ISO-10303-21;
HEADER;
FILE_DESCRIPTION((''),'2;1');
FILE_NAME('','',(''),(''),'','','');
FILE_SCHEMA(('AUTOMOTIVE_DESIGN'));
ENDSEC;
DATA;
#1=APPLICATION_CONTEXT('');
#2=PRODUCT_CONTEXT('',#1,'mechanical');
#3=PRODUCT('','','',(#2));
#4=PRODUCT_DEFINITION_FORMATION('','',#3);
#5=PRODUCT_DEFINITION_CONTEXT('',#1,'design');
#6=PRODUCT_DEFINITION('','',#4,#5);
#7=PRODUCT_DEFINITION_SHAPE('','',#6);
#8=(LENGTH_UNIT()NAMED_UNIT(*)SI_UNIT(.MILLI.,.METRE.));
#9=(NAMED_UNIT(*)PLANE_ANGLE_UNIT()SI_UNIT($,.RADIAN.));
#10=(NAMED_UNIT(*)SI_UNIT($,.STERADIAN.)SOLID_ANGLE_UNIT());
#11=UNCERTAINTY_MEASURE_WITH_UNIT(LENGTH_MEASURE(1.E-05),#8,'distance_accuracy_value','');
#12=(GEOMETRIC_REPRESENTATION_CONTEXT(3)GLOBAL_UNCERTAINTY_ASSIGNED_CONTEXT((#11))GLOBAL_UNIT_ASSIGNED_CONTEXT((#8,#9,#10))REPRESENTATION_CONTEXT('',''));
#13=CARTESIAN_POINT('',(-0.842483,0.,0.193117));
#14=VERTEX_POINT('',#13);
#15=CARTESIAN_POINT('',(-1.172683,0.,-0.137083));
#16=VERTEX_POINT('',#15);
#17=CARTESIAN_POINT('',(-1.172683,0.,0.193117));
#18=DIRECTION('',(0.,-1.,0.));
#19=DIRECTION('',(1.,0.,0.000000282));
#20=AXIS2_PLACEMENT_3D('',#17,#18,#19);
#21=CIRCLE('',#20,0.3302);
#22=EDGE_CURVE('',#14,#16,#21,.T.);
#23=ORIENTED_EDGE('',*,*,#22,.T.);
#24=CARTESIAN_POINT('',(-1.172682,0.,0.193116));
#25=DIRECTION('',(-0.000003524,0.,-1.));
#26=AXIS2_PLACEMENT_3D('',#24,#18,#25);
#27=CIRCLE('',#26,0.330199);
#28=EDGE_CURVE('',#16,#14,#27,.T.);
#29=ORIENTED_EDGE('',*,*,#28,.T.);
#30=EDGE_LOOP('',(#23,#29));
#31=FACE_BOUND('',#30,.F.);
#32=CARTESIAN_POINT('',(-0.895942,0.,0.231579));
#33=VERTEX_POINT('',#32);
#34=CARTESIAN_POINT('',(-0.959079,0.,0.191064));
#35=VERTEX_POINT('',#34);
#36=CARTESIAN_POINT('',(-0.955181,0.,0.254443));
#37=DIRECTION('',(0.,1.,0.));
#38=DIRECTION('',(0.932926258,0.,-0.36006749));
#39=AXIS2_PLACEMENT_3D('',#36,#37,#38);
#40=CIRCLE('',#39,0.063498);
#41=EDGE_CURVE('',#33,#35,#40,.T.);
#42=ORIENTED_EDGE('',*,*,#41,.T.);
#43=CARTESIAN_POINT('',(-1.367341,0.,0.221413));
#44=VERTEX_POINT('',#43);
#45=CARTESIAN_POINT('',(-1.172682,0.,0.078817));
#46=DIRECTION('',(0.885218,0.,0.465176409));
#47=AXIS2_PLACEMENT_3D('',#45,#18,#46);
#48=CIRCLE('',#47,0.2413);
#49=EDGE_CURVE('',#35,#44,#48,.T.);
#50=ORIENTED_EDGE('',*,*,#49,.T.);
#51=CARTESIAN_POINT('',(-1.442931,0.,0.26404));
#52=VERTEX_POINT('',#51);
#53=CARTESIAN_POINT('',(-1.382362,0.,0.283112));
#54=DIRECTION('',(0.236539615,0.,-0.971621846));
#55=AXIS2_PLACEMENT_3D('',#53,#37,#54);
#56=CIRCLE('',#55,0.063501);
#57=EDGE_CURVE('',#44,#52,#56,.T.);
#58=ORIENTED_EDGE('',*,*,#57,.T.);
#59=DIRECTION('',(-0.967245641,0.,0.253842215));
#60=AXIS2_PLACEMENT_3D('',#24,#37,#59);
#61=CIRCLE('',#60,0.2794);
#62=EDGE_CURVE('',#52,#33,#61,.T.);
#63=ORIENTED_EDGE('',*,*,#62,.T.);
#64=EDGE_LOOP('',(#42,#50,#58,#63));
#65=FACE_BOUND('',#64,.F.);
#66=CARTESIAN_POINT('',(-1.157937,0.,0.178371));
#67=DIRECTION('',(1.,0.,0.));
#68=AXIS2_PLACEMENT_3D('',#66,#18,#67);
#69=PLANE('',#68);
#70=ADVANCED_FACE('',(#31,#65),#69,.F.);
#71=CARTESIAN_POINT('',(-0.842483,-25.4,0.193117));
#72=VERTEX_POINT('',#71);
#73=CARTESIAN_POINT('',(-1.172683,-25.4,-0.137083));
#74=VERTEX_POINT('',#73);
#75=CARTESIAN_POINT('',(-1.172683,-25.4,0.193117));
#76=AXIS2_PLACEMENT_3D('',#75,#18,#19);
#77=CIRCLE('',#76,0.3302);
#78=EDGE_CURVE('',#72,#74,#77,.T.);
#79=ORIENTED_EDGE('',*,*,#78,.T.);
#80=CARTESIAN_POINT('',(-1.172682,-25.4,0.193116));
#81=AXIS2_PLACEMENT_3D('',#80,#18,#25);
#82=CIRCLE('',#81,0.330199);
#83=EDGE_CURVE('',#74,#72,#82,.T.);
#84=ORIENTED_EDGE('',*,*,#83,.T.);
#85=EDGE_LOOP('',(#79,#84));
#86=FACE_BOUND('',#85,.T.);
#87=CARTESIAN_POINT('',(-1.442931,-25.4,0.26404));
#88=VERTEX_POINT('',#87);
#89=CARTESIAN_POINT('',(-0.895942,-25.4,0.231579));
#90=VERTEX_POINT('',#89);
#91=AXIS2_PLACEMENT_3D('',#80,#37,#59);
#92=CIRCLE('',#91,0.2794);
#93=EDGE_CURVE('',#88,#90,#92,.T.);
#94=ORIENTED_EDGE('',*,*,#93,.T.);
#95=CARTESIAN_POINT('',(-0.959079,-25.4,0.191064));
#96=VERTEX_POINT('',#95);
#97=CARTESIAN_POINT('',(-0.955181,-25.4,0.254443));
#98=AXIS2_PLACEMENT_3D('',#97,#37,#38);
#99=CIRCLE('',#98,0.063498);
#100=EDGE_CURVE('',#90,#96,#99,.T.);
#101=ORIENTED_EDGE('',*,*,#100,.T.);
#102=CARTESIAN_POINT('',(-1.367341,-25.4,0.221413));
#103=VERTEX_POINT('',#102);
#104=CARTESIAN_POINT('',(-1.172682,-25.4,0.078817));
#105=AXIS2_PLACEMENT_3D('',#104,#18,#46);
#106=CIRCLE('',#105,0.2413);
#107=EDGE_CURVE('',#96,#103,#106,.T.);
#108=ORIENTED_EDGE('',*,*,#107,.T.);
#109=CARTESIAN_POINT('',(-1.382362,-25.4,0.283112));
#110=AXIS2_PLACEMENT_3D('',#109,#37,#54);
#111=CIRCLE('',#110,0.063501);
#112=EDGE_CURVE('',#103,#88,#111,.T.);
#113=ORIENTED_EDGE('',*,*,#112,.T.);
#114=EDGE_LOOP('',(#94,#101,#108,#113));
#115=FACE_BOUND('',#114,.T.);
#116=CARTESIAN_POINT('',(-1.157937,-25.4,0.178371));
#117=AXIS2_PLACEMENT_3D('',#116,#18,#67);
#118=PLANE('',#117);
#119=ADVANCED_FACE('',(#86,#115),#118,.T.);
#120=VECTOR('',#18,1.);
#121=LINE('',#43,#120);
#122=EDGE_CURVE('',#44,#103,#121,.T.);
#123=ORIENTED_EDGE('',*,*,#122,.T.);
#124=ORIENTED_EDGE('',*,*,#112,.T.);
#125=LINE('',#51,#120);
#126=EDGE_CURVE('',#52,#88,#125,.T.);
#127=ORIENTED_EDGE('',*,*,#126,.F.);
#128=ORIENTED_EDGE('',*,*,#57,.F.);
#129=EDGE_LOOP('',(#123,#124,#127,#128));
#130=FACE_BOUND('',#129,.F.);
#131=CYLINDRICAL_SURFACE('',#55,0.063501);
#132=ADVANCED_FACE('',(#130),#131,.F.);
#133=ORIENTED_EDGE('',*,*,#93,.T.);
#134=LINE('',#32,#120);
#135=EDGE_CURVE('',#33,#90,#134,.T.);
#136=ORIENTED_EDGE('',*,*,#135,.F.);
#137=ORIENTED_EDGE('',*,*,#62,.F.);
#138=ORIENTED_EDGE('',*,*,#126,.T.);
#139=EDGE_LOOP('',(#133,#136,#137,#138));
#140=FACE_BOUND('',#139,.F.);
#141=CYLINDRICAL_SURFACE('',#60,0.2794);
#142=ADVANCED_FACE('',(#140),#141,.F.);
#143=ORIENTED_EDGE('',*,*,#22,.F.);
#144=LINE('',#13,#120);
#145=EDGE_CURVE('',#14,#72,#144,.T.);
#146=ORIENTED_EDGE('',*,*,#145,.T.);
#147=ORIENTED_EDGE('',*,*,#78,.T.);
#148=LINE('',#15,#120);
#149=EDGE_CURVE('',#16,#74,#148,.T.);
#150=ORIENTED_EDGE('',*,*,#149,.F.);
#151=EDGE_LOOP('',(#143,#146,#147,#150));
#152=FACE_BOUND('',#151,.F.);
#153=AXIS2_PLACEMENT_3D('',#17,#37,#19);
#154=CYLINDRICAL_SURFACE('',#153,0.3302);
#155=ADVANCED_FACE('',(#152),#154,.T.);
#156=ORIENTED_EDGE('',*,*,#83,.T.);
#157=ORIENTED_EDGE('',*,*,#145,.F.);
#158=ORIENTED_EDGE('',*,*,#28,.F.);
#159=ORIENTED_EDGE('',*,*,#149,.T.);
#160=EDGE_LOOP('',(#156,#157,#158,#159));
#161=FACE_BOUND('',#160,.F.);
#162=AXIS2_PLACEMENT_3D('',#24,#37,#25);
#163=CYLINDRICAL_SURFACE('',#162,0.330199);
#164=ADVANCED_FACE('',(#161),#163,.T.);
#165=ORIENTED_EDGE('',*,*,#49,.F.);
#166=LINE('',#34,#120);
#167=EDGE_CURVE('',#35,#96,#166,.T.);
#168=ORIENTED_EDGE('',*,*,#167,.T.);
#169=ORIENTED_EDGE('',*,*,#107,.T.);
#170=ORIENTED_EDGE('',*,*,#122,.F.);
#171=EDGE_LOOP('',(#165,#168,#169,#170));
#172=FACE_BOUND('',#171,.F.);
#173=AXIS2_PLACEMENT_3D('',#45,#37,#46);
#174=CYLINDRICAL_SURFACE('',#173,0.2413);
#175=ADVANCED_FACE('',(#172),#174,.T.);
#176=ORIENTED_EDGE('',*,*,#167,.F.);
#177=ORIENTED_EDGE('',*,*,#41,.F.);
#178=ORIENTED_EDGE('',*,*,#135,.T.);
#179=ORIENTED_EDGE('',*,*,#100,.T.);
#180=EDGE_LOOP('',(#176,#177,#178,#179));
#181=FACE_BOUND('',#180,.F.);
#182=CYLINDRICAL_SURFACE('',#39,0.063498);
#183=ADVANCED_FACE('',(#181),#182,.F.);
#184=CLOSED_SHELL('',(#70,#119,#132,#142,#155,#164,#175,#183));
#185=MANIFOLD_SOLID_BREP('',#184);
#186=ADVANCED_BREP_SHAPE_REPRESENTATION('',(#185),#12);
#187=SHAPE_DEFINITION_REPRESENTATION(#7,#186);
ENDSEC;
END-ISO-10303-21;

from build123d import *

# Parameters (mm, degrees)
F1_DEPTH = 25.4


with BuildPart() as f1:
    # F0 (on Front) → F1 (new body)
    with BuildSketch(Plane.XZ):
        with BuildLine():
            ThreePointArc((-1.172683, -0.137083), (-0.939196, -0.04037), (-0.842483, 0.193117))
            ThreePointArc((-0.842483, 0.193117), (-1.406169, 0.426604), (-1.172683, -0.137083))
        make_face()
        with BuildLine():
            ThreePointArc((-0.956783, 0.078817), (-1.020018, -0.073847), (-1.172683, -0.137083))
            ThreePointArc((-1.172683, -0.137083), (-1.325347, 0.231481), (-0.956783, 0.078817))
        make_face(mode=Mode.SUBTRACT)
        with BuildLine():
            ThreePointArc((-0.895942, 0.231579), (-0.920888, 0.201001), (-0.959079, 0.191064))
            ThreePointArc((-0.959079, 0.191064), (-1.154794, 0.319453), (-1.367341, 0.221413))
            ThreePointArc((-1.367341, 0.221413), (-1.413554, 0.2278), (-1.442931, 0.26404))
            ThreePointArc((-1.442931, 0.26404), (-1.15613, 0.472026), (-0.895942, 0.231579))
        make_face(mode=Mode.SUBTRACT)
        with BuildLine():
            ThreePointArc((-0.956783, 0.078817), (-1.325347, 0.231481), (-1.172683, -0.137083))
            ThreePointArc((-1.172683, -0.137083), (-1.020018, -0.073847), (-0.956783, 0.078817))
        make_face()
    extrude(amount=F1_DEPTH)


solid = f1.part
